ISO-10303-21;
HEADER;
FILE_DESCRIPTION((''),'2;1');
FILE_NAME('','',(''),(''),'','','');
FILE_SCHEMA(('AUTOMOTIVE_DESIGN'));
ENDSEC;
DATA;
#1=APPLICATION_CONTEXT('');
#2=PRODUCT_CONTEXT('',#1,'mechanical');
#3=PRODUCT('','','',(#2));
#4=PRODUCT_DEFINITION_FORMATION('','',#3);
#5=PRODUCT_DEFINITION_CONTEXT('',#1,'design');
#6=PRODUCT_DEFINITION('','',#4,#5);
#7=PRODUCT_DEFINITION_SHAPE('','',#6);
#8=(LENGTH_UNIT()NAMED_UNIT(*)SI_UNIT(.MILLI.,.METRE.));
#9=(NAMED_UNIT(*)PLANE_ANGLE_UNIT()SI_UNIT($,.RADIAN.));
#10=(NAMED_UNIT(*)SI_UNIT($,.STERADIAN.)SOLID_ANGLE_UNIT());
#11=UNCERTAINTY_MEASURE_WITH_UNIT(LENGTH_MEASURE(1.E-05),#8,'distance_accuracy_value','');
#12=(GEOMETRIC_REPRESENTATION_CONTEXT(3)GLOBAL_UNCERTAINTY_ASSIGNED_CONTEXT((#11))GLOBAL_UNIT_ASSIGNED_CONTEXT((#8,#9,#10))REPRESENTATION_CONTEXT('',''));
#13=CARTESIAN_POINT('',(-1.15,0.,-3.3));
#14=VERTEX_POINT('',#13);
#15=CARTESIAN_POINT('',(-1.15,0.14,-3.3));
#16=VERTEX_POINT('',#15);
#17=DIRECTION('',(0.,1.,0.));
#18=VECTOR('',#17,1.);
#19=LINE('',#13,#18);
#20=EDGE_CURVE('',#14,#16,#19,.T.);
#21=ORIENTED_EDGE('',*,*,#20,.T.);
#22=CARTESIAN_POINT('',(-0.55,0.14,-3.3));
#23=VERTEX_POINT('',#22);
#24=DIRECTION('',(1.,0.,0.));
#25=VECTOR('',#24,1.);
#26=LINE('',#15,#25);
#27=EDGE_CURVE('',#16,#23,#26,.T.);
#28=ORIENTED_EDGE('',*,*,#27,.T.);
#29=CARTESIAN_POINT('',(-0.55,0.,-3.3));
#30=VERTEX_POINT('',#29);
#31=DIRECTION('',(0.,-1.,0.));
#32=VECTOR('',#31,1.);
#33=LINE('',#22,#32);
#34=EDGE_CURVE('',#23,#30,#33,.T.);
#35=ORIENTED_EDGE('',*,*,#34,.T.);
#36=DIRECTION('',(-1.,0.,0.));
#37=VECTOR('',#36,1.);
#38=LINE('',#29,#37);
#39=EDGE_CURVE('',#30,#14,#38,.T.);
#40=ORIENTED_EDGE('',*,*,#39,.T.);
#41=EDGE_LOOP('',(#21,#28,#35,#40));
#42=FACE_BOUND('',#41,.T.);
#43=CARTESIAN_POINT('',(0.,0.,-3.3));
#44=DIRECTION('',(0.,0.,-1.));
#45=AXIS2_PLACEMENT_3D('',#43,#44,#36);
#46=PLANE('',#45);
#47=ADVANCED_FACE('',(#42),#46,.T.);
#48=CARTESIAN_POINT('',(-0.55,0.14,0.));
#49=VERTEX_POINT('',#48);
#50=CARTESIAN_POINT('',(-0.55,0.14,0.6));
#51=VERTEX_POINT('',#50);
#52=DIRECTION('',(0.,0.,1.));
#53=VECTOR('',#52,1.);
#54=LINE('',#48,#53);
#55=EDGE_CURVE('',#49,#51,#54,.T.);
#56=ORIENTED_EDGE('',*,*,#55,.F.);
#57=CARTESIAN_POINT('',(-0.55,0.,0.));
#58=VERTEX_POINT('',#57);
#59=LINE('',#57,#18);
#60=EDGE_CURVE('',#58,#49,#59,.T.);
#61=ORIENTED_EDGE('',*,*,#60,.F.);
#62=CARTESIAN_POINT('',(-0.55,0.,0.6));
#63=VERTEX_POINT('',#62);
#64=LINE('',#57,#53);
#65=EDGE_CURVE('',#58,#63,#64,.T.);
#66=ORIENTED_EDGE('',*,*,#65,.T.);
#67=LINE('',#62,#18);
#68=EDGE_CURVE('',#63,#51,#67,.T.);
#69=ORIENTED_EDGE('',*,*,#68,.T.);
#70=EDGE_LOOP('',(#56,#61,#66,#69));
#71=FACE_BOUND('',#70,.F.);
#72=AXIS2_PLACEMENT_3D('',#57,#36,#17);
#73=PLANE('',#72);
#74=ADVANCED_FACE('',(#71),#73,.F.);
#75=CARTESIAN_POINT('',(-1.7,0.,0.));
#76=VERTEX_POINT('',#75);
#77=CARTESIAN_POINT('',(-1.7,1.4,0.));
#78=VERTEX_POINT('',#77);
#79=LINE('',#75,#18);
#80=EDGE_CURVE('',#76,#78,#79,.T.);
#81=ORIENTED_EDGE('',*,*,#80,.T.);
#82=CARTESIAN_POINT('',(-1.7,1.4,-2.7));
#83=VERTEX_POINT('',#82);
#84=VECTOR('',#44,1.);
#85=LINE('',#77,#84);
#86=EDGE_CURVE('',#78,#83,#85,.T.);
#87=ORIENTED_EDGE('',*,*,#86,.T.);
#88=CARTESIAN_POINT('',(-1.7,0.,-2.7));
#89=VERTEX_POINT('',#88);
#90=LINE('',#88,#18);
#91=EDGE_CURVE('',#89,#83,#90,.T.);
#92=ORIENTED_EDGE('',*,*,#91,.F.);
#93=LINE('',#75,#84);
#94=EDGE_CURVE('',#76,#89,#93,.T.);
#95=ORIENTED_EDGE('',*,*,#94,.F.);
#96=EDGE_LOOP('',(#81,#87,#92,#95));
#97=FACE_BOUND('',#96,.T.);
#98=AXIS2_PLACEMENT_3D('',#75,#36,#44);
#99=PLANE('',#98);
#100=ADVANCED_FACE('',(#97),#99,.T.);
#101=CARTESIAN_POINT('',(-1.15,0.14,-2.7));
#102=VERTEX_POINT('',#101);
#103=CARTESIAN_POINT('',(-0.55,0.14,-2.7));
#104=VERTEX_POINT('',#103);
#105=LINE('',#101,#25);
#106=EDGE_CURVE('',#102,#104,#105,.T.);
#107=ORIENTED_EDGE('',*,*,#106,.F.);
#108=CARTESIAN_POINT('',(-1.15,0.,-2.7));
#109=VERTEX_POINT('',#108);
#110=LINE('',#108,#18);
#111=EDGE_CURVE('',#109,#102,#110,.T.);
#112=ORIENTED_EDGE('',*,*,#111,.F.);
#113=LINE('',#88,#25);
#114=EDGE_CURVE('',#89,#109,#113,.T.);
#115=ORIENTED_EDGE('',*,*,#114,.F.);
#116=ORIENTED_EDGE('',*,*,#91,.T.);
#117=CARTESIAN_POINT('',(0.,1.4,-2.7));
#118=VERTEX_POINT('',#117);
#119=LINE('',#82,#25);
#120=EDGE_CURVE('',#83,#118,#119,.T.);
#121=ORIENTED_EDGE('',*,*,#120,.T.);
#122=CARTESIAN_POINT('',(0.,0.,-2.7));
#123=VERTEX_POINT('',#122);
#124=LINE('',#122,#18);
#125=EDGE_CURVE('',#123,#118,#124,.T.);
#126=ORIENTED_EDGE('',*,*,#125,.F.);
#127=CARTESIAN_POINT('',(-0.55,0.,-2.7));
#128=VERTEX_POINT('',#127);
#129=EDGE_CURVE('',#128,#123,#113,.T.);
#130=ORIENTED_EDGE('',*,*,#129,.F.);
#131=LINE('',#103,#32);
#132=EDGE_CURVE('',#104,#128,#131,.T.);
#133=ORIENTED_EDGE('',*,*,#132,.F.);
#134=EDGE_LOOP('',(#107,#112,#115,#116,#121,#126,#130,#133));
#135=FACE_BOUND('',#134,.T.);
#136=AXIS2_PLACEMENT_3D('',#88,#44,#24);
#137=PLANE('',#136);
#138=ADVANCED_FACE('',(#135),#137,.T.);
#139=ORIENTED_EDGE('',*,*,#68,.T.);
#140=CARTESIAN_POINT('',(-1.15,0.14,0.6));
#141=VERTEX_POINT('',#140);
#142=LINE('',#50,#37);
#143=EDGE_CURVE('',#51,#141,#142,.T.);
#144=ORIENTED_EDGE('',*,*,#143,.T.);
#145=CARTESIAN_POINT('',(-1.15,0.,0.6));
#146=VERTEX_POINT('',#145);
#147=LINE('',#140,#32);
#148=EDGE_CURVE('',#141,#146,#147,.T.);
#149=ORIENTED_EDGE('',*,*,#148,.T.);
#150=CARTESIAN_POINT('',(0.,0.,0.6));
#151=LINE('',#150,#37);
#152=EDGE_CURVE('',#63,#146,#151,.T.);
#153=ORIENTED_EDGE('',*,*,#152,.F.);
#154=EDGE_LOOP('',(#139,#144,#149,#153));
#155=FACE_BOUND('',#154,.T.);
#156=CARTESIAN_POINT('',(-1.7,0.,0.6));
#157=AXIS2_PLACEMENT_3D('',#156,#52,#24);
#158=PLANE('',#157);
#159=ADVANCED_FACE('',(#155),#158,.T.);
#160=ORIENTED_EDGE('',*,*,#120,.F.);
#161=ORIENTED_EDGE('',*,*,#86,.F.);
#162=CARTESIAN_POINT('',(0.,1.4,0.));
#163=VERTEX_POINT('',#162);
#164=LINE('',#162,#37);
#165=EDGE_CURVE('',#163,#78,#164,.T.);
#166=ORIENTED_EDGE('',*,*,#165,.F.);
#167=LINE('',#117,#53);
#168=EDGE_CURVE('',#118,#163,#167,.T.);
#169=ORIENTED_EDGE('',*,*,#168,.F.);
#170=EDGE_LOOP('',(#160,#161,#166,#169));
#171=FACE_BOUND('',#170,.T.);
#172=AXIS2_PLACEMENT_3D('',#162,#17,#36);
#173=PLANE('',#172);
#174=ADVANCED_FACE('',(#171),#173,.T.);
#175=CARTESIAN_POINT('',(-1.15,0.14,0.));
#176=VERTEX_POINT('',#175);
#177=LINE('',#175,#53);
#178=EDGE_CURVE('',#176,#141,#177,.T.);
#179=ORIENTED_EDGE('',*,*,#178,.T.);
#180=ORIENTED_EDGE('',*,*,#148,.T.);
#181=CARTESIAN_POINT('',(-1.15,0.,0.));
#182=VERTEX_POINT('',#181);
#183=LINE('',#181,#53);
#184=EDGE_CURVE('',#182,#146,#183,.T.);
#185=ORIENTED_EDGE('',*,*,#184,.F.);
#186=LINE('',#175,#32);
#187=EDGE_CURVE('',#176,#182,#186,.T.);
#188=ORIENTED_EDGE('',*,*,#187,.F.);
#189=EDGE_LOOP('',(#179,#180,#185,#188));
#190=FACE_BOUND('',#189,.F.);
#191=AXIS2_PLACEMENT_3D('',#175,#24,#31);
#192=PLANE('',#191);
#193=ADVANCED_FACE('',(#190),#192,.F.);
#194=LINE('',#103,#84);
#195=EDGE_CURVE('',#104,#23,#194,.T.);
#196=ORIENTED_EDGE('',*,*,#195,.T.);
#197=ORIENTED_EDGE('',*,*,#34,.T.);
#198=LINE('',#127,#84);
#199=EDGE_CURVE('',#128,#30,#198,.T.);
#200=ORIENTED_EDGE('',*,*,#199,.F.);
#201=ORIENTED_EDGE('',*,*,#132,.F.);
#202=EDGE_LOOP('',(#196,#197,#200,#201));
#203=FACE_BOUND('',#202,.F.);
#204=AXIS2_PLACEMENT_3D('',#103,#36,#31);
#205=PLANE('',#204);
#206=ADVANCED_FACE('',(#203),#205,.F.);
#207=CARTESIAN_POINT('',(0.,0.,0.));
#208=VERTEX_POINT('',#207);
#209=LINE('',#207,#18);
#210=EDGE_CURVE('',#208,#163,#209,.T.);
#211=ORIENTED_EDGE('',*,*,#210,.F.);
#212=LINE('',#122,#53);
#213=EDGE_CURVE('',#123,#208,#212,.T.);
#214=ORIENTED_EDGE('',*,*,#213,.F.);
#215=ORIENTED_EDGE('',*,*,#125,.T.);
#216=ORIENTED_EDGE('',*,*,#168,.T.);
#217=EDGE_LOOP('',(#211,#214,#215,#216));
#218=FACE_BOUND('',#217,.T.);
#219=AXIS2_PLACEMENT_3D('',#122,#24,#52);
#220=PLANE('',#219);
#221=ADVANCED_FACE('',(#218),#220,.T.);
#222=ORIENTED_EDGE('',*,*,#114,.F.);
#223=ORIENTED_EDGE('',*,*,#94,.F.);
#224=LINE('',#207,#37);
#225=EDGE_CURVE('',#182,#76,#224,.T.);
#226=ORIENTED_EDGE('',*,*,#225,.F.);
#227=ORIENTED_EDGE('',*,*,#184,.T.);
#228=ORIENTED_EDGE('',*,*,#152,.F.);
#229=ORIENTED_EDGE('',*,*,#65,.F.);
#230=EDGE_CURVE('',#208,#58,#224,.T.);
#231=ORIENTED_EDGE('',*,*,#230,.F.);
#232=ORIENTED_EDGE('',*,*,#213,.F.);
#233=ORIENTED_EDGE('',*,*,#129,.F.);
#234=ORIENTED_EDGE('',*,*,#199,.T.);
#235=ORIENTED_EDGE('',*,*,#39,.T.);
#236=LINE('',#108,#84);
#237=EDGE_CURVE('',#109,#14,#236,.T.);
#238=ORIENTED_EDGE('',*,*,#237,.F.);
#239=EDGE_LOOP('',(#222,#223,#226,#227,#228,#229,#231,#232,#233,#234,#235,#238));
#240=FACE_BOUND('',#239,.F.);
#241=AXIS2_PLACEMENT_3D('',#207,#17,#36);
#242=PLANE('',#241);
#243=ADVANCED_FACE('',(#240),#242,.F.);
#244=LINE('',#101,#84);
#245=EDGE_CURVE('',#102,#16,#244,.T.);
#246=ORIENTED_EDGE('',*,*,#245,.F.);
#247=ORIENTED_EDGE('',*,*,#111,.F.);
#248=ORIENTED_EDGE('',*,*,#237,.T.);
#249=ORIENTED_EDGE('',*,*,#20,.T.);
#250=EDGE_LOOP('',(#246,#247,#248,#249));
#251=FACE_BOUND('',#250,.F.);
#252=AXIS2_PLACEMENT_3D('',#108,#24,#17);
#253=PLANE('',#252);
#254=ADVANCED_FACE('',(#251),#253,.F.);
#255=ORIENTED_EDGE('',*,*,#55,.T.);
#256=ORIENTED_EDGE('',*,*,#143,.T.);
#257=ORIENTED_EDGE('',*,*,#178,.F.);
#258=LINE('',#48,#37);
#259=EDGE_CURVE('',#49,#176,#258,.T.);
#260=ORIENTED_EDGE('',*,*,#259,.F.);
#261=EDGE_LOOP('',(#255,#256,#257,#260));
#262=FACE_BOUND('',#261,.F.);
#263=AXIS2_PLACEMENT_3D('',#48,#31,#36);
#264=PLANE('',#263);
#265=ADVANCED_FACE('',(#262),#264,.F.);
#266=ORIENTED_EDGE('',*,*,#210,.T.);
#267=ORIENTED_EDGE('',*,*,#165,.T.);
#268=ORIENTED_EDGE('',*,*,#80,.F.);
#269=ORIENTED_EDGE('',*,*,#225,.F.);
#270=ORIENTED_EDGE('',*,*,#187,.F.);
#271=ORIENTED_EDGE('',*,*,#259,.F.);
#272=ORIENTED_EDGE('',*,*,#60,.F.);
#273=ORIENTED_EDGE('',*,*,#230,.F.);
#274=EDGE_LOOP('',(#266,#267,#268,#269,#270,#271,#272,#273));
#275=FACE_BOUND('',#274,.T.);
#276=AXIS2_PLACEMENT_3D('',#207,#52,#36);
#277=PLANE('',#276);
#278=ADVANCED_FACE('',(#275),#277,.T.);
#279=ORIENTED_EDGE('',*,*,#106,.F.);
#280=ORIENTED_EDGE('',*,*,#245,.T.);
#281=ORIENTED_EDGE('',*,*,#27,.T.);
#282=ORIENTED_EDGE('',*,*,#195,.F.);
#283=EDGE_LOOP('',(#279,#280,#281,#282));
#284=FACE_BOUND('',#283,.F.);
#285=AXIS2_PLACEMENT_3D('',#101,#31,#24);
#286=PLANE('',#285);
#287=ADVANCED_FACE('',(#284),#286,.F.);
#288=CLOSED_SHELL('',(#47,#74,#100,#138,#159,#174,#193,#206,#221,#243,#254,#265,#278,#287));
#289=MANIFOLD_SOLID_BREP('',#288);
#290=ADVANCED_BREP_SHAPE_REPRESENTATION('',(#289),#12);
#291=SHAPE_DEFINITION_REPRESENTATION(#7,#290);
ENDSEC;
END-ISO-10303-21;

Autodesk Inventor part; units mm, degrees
ref_plane "YZ Plane" through (0, 0, 0) normal (1, 0, 0) x (0, 1, 0)
ref_plane "XZ Plane" through (0, 0, 0) normal (0, 1, 0) x (-1, 0, 0)
ref_plane "XY Plane" through (0, 0, 0) normal (0, 0, 1) x (1, 0, 0)
sketch "Sketch1" plane through (0, 0, 0) normal (0, 1, 0) x (-1, 0, 0)
  line L0 (0, 0) -> (1.7, 0)
  line L1 (1.7, 0) -> (1.7, -2.7)
  line L2 (1.7, -2.7) -> (0, -2.7)
  line L3 (0, -2.7) -> (0, 0)
  dimension "d0" = 1.7
  dimension "d1" = 2.7
extrude "Extrusion1" add sketch "Sketch1" along normal blind 1.4
sketch "Sketch2" plane through (-1.7, 0, 0) normal (0, 0, 1) x (1, 0, 0)
  line L0 (1.7, 0) -> (0, 0) projected
  line L1 (0.55, 0) -> (1.15, 0)
  line L2 (1.15, 0) -> (1.15, 0.14)
  line L3 (1.15, 0.14) -> (0.55, 0.14)
  line L4 (0.55, 0.14) -> (0.55, 0)
  line L5 (1.7, 0) -> (1.7, 1.4) projected
  dimension "d4" = 0.6
  dimension "d5" = 0.14
  dimension "d6" = 0.55
extrude "Extrusion2" add sketch "Sketch2" along normal blind 0.6
sketch "Sketch3" plane through (0, 0, -2.7) normal (0, 0, -1) x (-1, 0, 0)
  line L0 (0.55, 0) -> (1.15, 0)
  line L1 (1.15, 0) -> (1.15, 0.14)
  line L2 (1.15, 0.14) -> (0.55, 0.14)
  line L3 (0.55, 0.14) -> (0.55, 0)
  line L4 (1.7, 0) -> (1.7, 1.4) projected
  line L5 (0, 1.4) -> (1.7, 1.4) projected
  point P0 (0, 0)
  dimension "d9" = 0.6
  dimension "d10" = 0.14
  dimension "d11" = 0.55
  dimension "d12" = 1.4
extrude "Extrusion3" add sketch "Sketch3" along normal blind 0.6
sketch "Sketch4" plane through (0, 1.4, 0) normal (0, 1, 0) x (1, 0, 0)
  point P0 (0, 0)
properties part number "sod-123-model"
